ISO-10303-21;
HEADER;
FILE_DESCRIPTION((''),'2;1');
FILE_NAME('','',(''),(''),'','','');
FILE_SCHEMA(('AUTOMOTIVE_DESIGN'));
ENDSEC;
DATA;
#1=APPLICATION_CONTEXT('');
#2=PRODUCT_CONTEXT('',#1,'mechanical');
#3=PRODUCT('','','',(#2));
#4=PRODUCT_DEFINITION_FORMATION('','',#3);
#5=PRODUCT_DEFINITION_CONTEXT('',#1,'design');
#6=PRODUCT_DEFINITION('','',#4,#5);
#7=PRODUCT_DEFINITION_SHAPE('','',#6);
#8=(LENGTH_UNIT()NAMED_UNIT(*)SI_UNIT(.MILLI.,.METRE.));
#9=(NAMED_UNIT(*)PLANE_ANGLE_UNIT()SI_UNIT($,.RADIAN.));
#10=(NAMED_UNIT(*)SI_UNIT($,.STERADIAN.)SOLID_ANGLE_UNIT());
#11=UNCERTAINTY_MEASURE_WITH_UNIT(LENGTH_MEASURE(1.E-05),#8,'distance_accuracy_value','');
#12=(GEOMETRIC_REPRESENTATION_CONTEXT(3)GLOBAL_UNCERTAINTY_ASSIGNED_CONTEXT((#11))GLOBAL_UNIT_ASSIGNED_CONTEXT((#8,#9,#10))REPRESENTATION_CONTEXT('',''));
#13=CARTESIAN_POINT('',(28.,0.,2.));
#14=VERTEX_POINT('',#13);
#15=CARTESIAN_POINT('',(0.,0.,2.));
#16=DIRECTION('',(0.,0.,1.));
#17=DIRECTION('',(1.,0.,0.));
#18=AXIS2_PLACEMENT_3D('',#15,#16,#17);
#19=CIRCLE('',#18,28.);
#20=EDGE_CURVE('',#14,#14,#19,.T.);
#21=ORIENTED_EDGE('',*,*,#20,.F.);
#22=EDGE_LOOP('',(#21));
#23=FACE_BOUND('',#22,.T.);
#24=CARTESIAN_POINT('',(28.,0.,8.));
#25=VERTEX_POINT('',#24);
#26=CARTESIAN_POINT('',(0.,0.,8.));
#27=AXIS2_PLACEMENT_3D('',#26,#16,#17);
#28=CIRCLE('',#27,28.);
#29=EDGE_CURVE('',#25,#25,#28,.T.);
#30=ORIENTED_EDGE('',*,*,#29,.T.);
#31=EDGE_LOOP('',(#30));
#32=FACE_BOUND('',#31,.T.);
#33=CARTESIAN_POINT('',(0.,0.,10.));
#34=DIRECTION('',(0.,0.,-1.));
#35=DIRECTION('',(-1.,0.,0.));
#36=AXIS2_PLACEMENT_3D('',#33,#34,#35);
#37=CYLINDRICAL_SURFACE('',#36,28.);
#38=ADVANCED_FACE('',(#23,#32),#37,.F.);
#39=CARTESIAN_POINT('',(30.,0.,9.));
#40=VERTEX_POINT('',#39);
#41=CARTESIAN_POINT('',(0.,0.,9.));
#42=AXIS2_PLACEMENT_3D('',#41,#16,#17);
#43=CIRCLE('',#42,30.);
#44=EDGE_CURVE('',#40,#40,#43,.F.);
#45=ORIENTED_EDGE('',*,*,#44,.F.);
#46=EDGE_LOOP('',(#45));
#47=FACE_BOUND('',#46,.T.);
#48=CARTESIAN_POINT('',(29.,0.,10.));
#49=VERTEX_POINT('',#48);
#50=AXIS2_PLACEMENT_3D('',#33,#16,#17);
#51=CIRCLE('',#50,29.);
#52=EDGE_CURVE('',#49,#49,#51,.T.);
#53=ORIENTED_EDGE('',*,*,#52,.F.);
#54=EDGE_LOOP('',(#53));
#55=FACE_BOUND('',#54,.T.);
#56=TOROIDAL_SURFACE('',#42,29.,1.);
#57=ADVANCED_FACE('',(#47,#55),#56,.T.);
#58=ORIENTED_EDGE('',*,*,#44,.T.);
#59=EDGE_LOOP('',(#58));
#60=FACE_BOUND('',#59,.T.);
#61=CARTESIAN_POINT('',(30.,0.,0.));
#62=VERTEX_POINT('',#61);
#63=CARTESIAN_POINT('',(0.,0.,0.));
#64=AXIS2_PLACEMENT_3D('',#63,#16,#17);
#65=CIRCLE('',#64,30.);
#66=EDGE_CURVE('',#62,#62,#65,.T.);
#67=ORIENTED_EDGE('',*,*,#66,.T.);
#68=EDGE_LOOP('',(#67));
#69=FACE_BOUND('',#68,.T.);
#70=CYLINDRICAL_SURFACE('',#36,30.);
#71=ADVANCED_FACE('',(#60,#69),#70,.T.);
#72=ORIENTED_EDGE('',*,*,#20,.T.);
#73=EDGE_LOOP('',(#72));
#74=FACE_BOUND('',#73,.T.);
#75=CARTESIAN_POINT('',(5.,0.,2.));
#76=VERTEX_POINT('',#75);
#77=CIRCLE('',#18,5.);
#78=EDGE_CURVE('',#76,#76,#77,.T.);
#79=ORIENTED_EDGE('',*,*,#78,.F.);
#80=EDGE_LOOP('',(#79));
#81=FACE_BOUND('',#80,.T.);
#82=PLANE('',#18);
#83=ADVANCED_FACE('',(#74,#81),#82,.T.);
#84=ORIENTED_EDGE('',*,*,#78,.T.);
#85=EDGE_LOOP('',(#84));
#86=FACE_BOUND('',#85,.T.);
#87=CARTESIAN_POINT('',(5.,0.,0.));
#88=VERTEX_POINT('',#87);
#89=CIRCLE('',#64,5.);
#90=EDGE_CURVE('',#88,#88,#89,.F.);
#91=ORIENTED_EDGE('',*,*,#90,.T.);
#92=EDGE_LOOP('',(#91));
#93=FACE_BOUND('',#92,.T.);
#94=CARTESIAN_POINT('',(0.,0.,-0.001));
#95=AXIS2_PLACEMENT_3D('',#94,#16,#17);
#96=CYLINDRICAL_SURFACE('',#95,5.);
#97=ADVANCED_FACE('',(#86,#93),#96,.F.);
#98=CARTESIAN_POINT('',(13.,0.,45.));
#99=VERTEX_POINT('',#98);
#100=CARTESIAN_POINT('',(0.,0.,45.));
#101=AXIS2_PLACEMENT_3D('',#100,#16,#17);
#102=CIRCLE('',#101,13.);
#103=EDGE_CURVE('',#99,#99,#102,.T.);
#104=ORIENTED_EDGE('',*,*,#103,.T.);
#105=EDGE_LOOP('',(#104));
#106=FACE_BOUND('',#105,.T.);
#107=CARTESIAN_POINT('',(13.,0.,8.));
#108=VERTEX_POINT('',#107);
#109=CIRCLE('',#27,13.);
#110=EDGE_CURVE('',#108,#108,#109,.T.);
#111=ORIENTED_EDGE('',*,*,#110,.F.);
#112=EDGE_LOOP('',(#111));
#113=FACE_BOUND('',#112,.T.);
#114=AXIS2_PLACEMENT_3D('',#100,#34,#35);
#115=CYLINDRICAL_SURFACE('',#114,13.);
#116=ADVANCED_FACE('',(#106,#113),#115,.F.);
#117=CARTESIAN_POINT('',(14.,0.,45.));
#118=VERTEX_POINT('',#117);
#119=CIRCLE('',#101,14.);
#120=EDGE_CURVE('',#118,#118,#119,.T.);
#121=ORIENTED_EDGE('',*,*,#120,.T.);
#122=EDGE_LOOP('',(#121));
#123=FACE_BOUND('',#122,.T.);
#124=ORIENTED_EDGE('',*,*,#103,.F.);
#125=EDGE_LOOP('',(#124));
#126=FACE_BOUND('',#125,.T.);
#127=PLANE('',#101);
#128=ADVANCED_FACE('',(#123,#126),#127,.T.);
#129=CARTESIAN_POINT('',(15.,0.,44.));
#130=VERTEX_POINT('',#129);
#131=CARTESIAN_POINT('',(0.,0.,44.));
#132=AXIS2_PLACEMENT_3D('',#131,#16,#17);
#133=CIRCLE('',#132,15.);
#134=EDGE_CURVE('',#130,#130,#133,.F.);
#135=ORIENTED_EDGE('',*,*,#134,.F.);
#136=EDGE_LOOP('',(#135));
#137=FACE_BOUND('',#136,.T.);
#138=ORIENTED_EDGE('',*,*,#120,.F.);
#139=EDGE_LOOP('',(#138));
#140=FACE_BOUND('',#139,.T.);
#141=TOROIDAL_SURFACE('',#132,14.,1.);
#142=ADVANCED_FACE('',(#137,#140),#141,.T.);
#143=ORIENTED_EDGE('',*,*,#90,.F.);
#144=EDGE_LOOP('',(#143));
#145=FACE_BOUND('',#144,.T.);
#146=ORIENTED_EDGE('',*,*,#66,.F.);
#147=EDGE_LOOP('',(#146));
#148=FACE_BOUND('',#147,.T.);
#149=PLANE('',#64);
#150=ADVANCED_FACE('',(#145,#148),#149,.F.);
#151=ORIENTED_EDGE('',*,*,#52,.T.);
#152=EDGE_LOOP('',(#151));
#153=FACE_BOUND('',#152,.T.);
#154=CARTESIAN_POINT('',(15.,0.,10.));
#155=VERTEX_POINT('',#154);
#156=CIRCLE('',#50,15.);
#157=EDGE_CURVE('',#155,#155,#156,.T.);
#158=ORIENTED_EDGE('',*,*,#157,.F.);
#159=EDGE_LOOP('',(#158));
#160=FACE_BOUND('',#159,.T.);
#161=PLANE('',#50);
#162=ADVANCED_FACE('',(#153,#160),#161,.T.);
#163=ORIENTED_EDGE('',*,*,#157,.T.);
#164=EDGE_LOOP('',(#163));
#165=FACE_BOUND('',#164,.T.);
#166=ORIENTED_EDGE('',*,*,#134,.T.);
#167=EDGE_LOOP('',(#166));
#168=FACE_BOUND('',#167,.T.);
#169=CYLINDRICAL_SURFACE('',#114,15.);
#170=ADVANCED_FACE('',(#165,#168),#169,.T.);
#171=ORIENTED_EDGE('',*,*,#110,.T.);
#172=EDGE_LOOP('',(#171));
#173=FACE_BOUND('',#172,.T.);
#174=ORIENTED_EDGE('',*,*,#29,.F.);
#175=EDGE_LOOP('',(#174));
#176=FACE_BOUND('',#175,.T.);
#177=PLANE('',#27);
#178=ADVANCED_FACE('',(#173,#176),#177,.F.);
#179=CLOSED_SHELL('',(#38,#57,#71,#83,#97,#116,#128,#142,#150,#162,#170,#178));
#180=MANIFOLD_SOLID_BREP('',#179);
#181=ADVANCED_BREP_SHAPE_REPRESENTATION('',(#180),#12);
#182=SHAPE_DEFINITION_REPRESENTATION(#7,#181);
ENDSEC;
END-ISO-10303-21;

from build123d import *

# Parameters (mm, degrees)
CROQUIS1_R              = 30
SALIENTE_EXTRUIR1_DEPTH = 10
CROQUIS2_R              = 15
SALIENTE_EXTRUIR2_DEPTH = 35
VACIADO1_T              = -2
REDONDEO1_R             = 1
REDONDEO2_R             = 1
CORTAR_EXTRUIR1_REACH   = 62.407
CROQUIS3_R              = 5


with BuildPart() as part:
    # Croquis1 → Saliente-Extruir1 (new body)
    with BuildSketch(Plane.XY):
        Circle(CROQUIS1_R)
    extrude(amount=SALIENTE_EXTRUIR1_DEPTH)

    # Croquis2 → Saliente-Extruir2 (add)
    with BuildSketch(Plane.XY.offset(10)):
        Circle(CROQUIS2_R)
    extrude(amount=SALIENTE_EXTRUIR2_DEPTH)

    # Vaciado1
    vaciado1_openings = [part.faces().sort_by_distance(p)[0] for p in [
        (0, 0, 45),
    ]]
    offset(amount=VACIADO1_T, openings=vaciado1_openings, kind=Kind.INTERSECTION)

    # Redondeo1
    redondeo1_edges = [part.edges().sort_by_distance(p)[0] for p in [
        (-30, 0, 10),
    ]]
    fillet(redondeo1_edges, radius=REDONDEO1_R)

    # Redondeo2
    redondeo2_edges = [part.edges().sort_by_distance(p)[0] for p in [
        (-15, 0, 45),
    ]]
    fillet(redondeo2_edges, radius=REDONDEO2_R)

    # Croquis3 → Cortar-Extruir1 (cut, up to next)
    with BuildSketch(Plane.XY.offset(2), mode=Mode.PRIVATE) as cortar_extruir1_sk1:
        Circle(CROQUIS3_R)
    cortar_extruir1_tool1 = extrude(cortar_extruir1_sk1.sketch, amount=-CORTAR_EXTRUIR1_REACH, mode=Mode.PRIVATE) & part.part
    add(cortar_extruir1_tool1.solids().sort_by_distance((0, 0, 2))[0], mode=Mode.SUBTRACT)


solid = part.part
